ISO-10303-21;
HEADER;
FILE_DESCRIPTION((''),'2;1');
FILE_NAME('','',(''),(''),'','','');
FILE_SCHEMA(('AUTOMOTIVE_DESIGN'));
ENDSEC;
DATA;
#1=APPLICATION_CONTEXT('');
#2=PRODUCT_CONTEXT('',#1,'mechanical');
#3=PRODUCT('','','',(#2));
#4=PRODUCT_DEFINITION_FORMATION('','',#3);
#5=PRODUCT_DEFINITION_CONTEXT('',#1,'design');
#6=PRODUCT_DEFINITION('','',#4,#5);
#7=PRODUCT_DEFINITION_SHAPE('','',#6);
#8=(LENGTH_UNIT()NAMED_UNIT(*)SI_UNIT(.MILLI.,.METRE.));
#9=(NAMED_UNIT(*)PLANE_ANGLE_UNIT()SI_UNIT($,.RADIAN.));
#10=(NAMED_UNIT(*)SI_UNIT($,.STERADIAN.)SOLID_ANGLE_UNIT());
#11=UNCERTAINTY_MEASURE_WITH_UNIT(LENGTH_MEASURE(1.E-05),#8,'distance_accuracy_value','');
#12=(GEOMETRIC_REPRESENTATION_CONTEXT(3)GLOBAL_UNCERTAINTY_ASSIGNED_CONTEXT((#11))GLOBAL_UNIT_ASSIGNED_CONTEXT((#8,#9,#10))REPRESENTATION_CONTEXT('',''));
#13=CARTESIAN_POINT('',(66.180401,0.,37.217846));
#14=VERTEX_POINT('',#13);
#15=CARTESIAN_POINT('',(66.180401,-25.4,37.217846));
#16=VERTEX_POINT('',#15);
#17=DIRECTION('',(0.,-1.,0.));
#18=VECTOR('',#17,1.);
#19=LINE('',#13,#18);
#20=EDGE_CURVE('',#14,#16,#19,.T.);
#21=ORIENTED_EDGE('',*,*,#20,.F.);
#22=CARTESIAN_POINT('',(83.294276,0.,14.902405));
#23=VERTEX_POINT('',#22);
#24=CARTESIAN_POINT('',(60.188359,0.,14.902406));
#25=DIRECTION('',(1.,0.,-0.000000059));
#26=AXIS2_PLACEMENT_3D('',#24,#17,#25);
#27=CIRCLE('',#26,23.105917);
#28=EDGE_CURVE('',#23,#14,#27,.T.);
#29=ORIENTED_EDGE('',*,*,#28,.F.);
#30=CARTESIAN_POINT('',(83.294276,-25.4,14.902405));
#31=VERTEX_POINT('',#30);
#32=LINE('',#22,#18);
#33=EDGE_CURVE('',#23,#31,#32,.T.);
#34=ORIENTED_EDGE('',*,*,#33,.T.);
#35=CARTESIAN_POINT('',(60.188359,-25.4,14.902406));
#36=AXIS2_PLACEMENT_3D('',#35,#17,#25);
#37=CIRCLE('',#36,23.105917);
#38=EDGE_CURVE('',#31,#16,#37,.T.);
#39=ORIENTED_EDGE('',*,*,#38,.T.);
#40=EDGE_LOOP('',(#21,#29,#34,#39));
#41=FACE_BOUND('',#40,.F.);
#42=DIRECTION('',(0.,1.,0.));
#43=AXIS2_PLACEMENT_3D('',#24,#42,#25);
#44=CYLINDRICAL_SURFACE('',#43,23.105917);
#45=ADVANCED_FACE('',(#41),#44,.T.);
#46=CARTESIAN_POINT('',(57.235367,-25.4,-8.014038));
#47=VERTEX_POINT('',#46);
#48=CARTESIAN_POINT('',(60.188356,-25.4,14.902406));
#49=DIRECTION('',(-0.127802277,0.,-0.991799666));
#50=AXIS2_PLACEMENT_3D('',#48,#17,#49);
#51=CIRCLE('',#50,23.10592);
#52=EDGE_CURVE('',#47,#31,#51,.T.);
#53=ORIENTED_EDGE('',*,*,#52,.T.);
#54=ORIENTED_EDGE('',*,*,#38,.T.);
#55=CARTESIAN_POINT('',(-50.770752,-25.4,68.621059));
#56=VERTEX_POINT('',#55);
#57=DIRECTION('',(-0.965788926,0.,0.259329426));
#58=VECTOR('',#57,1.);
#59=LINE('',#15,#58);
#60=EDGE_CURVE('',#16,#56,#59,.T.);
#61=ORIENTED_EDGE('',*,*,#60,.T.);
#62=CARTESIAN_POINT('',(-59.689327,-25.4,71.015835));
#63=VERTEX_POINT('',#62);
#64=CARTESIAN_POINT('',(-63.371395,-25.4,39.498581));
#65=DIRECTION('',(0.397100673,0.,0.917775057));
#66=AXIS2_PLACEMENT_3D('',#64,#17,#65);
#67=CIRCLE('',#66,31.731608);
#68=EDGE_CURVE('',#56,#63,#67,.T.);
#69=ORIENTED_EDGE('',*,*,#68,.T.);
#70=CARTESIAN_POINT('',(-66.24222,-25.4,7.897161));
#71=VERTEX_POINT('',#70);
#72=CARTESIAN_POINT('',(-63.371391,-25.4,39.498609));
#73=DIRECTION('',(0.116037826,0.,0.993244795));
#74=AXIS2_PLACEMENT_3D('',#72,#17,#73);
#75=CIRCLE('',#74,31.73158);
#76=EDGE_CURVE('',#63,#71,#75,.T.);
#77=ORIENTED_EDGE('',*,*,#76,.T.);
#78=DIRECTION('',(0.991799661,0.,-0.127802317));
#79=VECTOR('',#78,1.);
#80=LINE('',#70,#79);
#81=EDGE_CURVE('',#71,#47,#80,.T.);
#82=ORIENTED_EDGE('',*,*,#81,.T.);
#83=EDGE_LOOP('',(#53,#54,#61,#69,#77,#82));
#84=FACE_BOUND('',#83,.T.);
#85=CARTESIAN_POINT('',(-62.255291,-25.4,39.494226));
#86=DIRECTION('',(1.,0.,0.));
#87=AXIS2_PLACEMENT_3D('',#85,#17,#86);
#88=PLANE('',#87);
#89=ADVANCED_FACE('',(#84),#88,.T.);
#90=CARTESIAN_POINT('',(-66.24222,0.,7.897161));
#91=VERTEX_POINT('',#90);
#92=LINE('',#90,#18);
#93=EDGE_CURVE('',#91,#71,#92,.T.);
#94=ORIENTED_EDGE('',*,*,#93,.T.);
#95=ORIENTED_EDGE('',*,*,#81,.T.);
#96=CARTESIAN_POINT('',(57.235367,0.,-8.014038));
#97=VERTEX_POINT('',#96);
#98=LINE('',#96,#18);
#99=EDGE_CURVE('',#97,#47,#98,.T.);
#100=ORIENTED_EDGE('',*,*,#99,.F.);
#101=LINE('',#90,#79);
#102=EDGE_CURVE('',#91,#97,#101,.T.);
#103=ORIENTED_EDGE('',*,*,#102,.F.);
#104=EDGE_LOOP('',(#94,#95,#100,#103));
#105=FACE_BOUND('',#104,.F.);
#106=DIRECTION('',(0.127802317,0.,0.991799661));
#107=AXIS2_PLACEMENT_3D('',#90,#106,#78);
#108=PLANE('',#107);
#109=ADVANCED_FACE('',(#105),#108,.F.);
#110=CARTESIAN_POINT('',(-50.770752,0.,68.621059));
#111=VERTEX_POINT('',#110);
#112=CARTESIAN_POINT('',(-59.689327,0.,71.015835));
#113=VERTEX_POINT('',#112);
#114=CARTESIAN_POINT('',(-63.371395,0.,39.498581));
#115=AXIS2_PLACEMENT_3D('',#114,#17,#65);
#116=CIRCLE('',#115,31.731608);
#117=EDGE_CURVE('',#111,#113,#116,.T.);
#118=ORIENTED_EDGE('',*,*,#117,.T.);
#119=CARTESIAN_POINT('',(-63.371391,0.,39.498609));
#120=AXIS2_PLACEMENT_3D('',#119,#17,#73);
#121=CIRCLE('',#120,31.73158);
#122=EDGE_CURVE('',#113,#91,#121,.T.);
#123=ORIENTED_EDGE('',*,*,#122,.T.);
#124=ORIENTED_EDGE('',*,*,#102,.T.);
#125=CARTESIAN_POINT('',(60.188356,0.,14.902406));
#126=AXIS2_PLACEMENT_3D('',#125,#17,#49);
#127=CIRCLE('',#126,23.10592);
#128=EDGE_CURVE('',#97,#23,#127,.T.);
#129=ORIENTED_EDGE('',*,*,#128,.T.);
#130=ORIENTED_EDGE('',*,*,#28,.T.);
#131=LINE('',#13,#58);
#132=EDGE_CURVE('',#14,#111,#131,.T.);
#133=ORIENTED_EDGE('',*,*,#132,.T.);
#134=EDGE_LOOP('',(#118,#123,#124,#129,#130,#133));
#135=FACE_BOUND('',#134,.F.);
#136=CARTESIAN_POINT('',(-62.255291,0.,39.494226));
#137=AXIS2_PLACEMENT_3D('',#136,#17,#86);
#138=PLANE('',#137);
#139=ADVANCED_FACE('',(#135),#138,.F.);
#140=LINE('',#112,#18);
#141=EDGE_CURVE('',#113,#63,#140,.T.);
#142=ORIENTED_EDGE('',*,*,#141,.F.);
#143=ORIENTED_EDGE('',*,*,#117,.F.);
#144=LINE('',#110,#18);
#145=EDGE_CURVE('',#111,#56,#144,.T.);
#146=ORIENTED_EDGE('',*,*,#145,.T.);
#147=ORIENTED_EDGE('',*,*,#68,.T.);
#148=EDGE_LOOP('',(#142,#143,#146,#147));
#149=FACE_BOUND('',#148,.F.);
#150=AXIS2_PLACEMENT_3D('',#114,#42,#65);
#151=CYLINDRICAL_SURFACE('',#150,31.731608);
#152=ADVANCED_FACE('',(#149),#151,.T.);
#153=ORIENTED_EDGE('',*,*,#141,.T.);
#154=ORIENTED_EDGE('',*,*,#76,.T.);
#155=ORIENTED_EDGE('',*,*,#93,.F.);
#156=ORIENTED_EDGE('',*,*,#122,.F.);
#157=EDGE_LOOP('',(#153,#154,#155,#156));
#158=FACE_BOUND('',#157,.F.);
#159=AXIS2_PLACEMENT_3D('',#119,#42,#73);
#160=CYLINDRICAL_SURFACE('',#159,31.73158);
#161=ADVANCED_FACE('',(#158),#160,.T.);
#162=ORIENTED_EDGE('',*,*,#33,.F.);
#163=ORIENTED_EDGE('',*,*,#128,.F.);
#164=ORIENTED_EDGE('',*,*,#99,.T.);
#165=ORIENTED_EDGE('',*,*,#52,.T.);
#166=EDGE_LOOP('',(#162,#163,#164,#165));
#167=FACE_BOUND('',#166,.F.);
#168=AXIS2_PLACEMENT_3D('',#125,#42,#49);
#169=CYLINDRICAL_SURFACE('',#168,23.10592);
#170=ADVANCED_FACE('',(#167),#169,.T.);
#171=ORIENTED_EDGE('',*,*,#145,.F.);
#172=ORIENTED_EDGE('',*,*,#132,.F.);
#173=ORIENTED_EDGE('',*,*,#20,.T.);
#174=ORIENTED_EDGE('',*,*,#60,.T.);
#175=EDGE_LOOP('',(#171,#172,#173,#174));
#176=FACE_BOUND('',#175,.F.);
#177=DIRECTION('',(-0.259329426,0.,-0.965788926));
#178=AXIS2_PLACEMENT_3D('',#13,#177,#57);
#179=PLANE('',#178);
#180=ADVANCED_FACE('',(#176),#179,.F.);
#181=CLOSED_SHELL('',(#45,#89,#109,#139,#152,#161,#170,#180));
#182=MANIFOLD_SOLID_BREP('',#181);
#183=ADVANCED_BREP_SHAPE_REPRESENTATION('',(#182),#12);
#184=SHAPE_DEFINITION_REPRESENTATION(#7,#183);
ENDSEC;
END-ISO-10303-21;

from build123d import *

# Parameters (mm, degrees)
F1_DEPTH = 25.4
F2_DEPTH = 25.4


with BuildPart() as f1:
    # F0 (on Front) → F1 (new body)
    with BuildSketch(Plane.XZ):
        with BuildLine():
            Line((-50.770752, 68.621059), (-59.689327, 71.015835))
            ThreePointArc((-59.689327, 71.015835), (-94.933334, 42.775326), (-66.24222, 7.897161))
            ThreePointArc((-66.24222, 7.897161), (-41.972825, 16.067976), (-31.63981, 39.498609))
            ThreePointArc((-31.63981, 39.498609), (-36.850348, 56.920649), (-50.770752, 68.621059))
        make_face()
        with BuildLine():
            ThreePointArc((-50.770752, 68.621059), (-55.142458, 70.144617), (-59.689327, 71.015835))
            Line((-59.689327, 71.015835), (-50.770752, 68.621059))
        make_face()
        with BuildLine():
            ThreePointArc((-31.63981, 39.498609), (-41.972825, 16.067976), (-66.24222, 7.897161))
            Line((-66.24222, 7.897161), (57.235367, -8.014038))
            ThreePointArc((57.235367, -8.014038), (37.521425, 19.385006), (66.180401, 37.217846))
            Line((66.180401, 37.217846), (-50.770752, 68.621059))
            ThreePointArc((-50.770752, 68.621059), (-36.850348, 56.920649), (-31.63981, 39.498609))
        make_face()
        with BuildLine():
            ThreePointArc((66.180401, 37.217846), (37.521425, 19.385006), (57.235367, -8.014038))
            ThreePointArc((57.235367, -8.014038), (75.446993, -2.448604), (83.294276, 14.902405))
            ThreePointArc((83.294276, 14.902405), (78.523231, 28.963554), (66.180401, 37.217846))
        make_face()
    extrude(amount=F1_DEPTH)

    # F0 (on Front) → F2 (join)
    with BuildSketch(Plane.XZ):
        with BuildLine():
            Line((-50.770752, 68.621059), (-59.689327, 71.015835))
            ThreePointArc((-59.689327, 71.015835), (-94.933334, 42.775326), (-66.24222, 7.897161))
            ThreePointArc((-66.24222, 7.897161), (-41.972825, 16.067976), (-31.63981, 39.498609))
            ThreePointArc((-31.63981, 39.498609), (-36.850348, 56.920649), (-50.770752, 68.621059))
        make_face()
        with BuildLine():
            ThreePointArc((-50.770752, 68.621059), (-55.142458, 70.144617), (-59.689327, 71.015835))
            Line((-59.689327, 71.015835), (-50.770752, 68.621059))
        make_face()
        with BuildLine():
            ThreePointArc((-31.63981, 39.498609), (-41.972825, 16.067976), (-66.24222, 7.897161))
            Line((-66.24222, 7.897161), (57.235367, -8.014038))
            ThreePointArc((57.235367, -8.014038), (37.521425, 19.385006), (66.180401, 37.217846))
            Line((66.180401, 37.217846), (-50.770752, 68.621059))
            ThreePointArc((-50.770752, 68.621059), (-36.850348, 56.920649), (-31.63981, 39.498609))
        make_face()
        with BuildLine():
            ThreePointArc((66.180401, 37.217846), (37.521425, 19.385006), (57.235367, -8.014038))
            ThreePointArc((57.235367, -8.014038), (75.446993, -2.448604), (83.294276, 14.902405))
            ThreePointArc((83.294276, 14.902405), (78.523231, 28.963554), (66.180401, 37.217846))
        make_face()
    extrude(amount=F2_DEPTH)


solid = f1.part
